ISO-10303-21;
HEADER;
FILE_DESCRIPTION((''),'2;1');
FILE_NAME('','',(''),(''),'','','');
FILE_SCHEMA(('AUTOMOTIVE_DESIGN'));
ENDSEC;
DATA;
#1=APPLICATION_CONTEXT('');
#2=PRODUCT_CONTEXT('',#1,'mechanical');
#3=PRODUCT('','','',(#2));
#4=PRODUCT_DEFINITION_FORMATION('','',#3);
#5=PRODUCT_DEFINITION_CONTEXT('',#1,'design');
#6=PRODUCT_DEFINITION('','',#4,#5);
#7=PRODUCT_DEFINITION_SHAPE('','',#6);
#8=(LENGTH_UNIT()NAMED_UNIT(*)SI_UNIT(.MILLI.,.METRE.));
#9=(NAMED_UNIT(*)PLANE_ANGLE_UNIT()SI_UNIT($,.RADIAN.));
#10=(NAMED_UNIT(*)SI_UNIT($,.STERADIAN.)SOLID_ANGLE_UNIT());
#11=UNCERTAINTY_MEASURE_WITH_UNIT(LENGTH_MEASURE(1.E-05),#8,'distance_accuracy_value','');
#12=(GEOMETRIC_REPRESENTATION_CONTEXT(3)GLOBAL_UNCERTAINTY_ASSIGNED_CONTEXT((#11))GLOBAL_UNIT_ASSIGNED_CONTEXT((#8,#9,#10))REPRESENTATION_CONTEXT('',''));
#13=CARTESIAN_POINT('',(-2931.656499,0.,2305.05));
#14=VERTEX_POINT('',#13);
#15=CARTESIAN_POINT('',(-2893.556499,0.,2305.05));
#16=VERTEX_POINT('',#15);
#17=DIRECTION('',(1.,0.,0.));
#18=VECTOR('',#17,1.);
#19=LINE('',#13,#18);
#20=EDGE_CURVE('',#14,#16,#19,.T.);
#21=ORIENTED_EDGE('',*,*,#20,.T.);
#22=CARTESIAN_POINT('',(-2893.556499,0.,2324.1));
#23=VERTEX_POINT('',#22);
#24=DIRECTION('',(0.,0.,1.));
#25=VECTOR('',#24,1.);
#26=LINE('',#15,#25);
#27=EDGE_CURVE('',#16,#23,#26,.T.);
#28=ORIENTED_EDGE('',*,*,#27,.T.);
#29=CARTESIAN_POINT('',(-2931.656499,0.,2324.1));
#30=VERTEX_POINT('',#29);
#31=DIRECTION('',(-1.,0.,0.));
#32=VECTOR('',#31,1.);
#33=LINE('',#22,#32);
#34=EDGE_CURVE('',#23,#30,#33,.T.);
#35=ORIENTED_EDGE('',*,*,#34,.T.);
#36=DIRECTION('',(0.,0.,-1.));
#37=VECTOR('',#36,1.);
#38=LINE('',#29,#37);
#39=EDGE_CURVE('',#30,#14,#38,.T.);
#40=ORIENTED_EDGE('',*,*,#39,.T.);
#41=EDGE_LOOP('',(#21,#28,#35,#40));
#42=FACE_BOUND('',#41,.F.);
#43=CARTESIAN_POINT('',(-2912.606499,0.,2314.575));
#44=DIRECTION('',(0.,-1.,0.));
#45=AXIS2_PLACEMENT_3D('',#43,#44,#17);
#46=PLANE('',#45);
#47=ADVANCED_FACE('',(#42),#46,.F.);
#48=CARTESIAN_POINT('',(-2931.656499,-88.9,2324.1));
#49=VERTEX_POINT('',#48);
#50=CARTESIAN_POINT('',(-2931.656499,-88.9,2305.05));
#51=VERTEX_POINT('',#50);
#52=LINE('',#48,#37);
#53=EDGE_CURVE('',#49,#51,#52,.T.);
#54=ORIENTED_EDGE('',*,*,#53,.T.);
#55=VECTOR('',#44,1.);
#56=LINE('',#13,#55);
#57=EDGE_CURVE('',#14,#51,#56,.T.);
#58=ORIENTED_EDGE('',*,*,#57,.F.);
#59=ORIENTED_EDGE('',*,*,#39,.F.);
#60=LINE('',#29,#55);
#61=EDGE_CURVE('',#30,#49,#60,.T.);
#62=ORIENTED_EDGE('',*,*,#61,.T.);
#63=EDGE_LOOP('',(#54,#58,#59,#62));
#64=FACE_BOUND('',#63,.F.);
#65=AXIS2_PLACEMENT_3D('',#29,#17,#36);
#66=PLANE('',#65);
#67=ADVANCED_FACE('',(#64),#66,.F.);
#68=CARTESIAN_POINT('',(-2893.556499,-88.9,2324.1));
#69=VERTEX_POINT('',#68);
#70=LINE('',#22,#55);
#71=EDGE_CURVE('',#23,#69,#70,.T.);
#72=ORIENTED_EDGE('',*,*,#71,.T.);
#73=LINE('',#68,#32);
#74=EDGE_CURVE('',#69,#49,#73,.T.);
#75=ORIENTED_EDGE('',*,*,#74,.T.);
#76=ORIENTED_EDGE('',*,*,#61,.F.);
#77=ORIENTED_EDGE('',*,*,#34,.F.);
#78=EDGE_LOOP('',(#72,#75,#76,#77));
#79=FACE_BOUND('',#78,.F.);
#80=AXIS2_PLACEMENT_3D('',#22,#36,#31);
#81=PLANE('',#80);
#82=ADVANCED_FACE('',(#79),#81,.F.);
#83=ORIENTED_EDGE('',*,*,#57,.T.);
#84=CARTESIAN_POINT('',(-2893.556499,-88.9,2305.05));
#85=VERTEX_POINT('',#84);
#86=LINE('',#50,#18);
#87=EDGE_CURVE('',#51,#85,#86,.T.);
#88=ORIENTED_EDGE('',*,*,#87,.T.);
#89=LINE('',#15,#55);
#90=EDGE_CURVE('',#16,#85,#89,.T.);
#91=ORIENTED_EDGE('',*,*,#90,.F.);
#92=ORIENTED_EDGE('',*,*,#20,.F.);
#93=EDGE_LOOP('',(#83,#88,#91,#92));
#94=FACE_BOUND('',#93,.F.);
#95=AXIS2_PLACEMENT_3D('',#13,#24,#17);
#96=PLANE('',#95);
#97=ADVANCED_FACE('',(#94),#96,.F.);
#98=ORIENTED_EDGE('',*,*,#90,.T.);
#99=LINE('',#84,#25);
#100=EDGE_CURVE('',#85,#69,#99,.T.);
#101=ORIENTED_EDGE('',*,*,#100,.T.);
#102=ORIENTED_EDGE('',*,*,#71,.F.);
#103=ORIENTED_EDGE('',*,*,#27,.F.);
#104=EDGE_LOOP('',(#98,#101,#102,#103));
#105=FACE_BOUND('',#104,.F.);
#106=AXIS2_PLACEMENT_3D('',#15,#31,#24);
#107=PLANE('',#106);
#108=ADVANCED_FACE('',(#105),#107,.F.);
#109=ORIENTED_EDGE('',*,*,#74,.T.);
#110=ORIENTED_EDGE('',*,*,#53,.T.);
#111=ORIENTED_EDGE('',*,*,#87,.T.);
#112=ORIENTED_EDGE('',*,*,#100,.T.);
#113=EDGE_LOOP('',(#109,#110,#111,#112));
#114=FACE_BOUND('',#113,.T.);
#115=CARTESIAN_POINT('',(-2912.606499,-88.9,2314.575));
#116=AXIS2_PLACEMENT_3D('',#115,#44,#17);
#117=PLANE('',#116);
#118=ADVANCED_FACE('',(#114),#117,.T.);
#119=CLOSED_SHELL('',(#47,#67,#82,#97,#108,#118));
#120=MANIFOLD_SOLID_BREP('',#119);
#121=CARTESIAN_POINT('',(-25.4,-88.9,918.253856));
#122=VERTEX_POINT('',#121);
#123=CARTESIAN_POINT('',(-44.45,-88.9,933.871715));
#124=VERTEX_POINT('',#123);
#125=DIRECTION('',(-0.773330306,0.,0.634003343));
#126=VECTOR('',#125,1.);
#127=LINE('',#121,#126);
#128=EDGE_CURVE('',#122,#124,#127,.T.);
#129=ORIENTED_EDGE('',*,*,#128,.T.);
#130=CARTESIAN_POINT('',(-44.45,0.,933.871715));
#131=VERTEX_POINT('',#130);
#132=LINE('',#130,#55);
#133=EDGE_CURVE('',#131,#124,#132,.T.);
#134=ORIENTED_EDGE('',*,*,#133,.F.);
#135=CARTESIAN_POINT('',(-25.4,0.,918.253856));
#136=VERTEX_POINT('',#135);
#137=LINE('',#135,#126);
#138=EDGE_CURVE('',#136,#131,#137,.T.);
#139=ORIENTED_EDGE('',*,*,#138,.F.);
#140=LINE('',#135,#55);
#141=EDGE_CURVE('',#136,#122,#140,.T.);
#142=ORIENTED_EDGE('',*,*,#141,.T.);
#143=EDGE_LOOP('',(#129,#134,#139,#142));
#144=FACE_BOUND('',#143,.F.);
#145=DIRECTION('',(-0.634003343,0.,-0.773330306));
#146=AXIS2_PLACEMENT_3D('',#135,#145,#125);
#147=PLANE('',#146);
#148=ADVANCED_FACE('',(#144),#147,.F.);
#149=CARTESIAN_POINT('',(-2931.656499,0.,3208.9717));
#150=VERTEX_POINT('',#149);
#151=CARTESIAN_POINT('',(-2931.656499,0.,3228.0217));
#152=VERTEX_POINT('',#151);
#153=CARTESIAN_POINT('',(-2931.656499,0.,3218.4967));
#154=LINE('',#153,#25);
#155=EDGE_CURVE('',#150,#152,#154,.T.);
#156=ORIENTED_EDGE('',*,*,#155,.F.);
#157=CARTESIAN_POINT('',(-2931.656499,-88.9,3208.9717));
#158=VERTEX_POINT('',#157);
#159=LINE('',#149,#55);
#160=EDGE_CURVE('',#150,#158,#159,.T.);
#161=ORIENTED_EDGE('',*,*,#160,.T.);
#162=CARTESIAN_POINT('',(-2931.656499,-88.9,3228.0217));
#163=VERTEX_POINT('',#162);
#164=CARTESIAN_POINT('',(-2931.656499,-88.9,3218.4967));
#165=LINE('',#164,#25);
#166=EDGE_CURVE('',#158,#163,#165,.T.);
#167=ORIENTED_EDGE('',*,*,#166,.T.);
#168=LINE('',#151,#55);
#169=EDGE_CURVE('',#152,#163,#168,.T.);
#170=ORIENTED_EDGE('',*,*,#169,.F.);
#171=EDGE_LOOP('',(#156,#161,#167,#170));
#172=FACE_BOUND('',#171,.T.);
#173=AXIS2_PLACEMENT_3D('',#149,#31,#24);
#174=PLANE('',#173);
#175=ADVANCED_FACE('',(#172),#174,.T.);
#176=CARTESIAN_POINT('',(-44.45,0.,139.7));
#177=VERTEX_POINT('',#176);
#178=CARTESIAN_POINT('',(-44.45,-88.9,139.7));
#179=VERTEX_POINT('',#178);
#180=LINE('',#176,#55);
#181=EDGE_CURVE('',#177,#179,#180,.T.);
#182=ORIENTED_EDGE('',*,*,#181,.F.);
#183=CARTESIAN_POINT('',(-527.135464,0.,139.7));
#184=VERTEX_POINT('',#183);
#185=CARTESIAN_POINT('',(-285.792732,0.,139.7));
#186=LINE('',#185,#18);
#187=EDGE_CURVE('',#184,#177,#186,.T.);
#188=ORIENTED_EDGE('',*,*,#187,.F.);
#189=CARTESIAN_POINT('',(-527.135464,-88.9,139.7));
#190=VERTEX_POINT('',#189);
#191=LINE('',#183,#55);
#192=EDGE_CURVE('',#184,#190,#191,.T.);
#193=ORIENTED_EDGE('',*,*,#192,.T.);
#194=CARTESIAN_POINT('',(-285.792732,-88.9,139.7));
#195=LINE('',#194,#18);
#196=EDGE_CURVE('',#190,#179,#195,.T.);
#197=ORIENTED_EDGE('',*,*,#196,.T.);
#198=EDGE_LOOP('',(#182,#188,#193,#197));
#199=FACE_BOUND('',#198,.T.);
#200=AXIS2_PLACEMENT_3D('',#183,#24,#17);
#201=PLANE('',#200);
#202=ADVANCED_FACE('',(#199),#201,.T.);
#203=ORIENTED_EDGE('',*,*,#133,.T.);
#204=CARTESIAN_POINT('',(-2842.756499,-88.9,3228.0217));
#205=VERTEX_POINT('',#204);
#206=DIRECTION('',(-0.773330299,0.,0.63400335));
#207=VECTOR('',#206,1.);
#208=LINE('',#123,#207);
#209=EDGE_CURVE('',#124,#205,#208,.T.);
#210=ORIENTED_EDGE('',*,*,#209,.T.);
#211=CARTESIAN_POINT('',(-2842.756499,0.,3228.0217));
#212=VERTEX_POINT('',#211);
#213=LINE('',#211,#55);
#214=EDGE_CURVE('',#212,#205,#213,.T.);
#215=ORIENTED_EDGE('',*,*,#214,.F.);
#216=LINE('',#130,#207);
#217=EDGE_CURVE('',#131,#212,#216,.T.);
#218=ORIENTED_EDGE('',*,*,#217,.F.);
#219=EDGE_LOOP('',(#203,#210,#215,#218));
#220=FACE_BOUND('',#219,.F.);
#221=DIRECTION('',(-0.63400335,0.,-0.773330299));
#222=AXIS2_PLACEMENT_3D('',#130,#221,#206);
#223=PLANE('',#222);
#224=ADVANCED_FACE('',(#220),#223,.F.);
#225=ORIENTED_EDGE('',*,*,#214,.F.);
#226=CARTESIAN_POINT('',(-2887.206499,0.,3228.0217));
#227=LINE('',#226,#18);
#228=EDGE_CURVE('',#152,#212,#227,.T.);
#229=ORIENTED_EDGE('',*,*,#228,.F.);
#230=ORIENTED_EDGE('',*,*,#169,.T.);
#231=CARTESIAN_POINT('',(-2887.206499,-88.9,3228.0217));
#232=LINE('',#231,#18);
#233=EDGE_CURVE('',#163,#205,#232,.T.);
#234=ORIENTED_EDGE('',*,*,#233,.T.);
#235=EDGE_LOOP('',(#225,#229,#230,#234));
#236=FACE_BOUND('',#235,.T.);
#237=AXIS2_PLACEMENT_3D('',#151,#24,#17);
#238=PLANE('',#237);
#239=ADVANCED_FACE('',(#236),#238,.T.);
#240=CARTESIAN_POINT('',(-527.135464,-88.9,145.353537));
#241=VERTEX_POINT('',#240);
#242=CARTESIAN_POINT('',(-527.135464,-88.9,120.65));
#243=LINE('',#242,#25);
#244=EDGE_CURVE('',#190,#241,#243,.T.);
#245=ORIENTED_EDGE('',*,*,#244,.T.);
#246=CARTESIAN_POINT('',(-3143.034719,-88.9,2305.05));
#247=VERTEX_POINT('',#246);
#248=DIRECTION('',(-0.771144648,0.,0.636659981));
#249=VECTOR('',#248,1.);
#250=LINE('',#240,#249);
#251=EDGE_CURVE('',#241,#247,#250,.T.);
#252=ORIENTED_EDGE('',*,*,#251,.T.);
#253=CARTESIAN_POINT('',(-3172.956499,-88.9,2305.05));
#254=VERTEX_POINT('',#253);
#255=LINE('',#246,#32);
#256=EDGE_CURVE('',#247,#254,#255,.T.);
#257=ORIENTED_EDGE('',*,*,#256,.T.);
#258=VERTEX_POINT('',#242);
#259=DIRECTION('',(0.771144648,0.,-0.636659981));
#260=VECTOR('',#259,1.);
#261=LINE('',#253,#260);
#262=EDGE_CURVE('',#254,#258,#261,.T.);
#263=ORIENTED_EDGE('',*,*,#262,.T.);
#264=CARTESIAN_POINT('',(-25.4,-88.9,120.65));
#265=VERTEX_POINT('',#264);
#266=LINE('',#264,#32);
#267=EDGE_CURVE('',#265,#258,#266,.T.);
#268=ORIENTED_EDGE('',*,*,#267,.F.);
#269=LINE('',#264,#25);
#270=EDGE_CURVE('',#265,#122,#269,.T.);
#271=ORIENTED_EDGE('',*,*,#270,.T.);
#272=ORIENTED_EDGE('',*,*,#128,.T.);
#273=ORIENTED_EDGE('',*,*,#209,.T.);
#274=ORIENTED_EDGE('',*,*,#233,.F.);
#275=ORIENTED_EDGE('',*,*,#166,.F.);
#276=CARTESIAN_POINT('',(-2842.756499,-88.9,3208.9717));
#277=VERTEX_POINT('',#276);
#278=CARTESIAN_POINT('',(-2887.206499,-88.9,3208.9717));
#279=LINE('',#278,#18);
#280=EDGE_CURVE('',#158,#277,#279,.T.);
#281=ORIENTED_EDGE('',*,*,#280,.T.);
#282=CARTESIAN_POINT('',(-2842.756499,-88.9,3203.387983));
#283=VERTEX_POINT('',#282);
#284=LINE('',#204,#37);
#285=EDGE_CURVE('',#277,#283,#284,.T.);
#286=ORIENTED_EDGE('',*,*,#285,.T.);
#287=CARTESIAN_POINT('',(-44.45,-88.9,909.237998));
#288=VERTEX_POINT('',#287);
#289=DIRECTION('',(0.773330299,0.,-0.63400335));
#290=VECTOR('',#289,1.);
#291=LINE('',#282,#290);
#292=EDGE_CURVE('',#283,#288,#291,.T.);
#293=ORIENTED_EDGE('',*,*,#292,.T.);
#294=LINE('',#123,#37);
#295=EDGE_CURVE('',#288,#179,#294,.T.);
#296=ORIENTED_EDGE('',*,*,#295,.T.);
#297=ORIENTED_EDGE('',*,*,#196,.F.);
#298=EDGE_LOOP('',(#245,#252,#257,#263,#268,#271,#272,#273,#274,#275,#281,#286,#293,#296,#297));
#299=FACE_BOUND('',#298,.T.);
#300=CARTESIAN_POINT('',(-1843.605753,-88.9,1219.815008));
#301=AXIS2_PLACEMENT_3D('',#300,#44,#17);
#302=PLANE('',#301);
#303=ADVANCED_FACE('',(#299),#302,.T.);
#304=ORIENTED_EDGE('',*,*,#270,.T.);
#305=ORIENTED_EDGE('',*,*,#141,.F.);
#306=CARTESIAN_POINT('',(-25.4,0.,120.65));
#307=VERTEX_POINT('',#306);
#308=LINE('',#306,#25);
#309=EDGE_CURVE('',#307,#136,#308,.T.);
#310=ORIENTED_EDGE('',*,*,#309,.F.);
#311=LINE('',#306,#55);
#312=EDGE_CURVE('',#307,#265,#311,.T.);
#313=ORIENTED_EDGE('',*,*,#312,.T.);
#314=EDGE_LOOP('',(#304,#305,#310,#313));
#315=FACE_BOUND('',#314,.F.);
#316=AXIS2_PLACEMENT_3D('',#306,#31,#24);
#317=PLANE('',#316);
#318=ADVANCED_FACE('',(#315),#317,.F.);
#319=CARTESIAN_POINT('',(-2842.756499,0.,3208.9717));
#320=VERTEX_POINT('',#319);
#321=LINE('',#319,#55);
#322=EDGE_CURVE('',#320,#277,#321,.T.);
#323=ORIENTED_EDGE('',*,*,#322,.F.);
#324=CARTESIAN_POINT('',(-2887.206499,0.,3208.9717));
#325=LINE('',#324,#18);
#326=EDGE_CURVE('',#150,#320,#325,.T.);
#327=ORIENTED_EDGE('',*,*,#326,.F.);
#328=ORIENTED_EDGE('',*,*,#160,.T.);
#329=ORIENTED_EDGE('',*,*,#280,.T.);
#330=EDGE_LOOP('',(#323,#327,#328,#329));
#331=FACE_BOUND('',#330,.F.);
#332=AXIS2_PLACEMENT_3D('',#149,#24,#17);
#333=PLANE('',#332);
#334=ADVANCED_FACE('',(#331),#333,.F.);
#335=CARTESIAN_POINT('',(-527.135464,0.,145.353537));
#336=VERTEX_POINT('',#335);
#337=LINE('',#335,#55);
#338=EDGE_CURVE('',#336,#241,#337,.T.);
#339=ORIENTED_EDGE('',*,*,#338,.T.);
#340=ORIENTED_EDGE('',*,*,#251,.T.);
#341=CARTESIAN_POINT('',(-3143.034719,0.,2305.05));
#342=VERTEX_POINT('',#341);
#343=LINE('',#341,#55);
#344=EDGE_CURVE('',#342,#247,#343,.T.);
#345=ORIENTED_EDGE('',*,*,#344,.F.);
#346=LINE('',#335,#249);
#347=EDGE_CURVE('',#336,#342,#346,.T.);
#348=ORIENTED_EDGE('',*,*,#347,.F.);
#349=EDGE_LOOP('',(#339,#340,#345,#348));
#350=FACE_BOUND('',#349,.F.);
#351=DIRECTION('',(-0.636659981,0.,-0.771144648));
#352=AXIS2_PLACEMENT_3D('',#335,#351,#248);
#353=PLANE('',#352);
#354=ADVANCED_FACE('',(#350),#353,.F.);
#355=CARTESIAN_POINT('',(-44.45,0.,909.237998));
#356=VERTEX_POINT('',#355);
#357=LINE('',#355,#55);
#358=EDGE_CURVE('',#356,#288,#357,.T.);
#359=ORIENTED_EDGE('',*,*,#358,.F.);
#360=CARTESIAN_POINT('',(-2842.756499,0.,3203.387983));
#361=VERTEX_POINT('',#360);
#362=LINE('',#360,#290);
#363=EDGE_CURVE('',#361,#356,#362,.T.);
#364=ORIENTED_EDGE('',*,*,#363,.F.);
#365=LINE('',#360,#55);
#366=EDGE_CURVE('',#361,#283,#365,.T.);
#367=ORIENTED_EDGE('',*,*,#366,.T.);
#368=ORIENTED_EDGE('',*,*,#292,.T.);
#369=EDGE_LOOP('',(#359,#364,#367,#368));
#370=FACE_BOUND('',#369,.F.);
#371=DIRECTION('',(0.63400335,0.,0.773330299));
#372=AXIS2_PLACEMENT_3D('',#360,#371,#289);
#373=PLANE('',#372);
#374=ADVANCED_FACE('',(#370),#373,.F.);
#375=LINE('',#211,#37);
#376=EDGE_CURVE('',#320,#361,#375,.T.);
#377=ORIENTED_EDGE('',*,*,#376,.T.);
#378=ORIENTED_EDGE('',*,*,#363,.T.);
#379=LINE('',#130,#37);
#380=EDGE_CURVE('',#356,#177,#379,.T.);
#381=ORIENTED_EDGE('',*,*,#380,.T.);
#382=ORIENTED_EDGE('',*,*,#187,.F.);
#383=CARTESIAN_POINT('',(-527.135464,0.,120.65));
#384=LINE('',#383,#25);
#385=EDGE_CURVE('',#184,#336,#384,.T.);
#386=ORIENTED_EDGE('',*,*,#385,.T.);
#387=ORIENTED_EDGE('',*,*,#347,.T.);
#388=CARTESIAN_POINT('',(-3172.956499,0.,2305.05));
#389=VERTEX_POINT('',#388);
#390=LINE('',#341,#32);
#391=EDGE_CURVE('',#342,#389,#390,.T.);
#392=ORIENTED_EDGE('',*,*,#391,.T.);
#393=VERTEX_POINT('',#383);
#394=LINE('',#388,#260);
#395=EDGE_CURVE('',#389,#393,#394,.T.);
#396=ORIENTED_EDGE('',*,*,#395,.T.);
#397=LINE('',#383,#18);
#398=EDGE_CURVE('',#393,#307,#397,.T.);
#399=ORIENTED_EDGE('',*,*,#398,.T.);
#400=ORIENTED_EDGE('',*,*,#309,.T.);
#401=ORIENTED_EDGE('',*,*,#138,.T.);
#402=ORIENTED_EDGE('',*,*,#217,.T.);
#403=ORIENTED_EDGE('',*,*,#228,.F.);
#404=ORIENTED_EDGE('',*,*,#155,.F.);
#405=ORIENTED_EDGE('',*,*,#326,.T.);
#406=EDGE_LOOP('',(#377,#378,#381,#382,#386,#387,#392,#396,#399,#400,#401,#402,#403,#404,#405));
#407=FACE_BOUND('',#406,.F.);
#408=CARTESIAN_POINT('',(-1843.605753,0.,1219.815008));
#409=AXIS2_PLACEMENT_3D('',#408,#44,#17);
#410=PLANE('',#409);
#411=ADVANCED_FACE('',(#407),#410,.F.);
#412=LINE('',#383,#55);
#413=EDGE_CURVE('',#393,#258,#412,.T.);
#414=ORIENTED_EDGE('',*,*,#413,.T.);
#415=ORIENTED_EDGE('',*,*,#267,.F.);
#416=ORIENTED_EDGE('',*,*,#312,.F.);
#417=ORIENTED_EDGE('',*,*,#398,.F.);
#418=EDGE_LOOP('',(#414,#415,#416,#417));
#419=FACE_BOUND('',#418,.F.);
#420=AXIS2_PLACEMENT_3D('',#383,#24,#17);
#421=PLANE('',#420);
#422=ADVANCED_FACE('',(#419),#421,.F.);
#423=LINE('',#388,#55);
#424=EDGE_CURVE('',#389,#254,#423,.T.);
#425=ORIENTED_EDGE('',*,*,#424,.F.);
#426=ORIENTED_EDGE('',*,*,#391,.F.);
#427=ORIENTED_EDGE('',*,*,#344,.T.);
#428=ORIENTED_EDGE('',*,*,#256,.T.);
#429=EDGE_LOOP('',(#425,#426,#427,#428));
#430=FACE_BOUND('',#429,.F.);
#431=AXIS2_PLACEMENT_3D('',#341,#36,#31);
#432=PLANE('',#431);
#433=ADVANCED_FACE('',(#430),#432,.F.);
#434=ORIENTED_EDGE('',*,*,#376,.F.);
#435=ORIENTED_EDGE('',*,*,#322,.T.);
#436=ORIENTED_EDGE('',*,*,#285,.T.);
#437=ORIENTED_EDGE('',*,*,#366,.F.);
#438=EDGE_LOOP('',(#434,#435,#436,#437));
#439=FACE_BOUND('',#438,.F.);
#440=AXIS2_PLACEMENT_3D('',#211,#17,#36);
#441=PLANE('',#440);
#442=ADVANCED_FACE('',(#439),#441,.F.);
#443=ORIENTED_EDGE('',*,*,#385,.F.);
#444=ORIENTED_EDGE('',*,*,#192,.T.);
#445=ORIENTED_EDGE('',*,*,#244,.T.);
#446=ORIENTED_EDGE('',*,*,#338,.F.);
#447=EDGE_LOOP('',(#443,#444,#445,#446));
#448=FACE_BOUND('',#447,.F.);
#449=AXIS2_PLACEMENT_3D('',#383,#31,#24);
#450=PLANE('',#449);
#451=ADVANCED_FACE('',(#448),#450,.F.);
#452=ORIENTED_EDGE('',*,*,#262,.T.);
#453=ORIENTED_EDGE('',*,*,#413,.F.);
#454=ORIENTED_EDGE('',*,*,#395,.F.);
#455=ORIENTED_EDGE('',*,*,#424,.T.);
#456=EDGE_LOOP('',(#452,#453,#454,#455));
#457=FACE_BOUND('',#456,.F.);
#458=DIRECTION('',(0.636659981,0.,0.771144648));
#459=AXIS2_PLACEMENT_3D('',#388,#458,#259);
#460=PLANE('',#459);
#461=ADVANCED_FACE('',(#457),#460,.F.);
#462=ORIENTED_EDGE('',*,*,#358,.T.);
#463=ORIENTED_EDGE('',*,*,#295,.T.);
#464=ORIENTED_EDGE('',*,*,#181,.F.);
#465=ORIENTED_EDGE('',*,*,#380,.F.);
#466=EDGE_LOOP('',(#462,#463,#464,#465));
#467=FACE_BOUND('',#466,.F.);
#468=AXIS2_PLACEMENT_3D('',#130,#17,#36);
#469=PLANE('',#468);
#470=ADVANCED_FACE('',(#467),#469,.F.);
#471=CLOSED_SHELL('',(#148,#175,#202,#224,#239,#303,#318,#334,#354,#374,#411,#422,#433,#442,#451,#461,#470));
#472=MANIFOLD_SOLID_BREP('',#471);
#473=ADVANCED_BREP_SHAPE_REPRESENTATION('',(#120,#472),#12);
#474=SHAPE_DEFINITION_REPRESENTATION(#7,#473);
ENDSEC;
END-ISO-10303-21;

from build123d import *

# Parameters (mm, degrees)
F1_W     = 88.9
F1_H     = 19.05
F2_DEPTH = 88.9
F3_DEPTH = 88.9
F4_DEPTH = 88.9
F1_W_2   = 482.685464
F5_DEPTH = 88.9
F6_DEPTH = 88.9
F7_DEPTH = 88.9


with BuildPart() as f2:
    # F1 (on face) → F2 (new body)
    with BuildSketch(Plane.XZ):
        with Locations((-2887.206499, 3218.4967)):
            Rectangle(F1_W, F1_H)
    extrude(amount=F2_DEPTH)

    # F1 (on face) → F3 (join)
    with BuildSketch(Plane.XZ):
        Polygon((-44.45, 933.871715), (-2842.756499, 3228.0217), (-2842.756499, 3208.9717), (-2842.756499, 3203.387983), (-44.45, 909.237998), align=None)
    extrude(amount=F3_DEPTH)

    # F1 (on face) → F4 (join)
    with BuildSketch(Plane.XZ):
        Polygon((-25.4, 918.253856), (-44.45, 933.871715), (-44.45, 909.237998), (-44.45, 139.7), (-44.45, 120.65), (-25.4, 120.65), align=None)
    extrude(amount=F4_DEPTH)

    # F1 (on face) → F5 (join)
    with BuildSketch(Plane.XZ):
        with Locations((-285.792732, 130.175)):
            Rectangle(F1_W_2, F1_H)
    extrude(amount=F5_DEPTH)

    # F1 (on face) → F6 (join)
    with BuildSketch(Plane.XZ):
        Polygon((-3172.956499, 2305.05), (-527.135464, 120.65), (-527.135464, 139.7), (-527.135464, 145.353537), (-3143.034719, 2305.05), align=None)
    extrude(amount=F6_DEPTH)


with BuildPart() as f7:
    # F1 (on face) → F7 (new body)
    with BuildSketch(Plane.XZ):
        Polygon((-2893.556499, 2324.1), (-2931.656499, 2324.1), (-2931.656499, 2305.05), (-2912.606499, 2305.05), (-2893.556499, 2305.05), align=None)
    extrude(amount=F7_DEPTH)


solid = Compound([f2.part, f7.part])
